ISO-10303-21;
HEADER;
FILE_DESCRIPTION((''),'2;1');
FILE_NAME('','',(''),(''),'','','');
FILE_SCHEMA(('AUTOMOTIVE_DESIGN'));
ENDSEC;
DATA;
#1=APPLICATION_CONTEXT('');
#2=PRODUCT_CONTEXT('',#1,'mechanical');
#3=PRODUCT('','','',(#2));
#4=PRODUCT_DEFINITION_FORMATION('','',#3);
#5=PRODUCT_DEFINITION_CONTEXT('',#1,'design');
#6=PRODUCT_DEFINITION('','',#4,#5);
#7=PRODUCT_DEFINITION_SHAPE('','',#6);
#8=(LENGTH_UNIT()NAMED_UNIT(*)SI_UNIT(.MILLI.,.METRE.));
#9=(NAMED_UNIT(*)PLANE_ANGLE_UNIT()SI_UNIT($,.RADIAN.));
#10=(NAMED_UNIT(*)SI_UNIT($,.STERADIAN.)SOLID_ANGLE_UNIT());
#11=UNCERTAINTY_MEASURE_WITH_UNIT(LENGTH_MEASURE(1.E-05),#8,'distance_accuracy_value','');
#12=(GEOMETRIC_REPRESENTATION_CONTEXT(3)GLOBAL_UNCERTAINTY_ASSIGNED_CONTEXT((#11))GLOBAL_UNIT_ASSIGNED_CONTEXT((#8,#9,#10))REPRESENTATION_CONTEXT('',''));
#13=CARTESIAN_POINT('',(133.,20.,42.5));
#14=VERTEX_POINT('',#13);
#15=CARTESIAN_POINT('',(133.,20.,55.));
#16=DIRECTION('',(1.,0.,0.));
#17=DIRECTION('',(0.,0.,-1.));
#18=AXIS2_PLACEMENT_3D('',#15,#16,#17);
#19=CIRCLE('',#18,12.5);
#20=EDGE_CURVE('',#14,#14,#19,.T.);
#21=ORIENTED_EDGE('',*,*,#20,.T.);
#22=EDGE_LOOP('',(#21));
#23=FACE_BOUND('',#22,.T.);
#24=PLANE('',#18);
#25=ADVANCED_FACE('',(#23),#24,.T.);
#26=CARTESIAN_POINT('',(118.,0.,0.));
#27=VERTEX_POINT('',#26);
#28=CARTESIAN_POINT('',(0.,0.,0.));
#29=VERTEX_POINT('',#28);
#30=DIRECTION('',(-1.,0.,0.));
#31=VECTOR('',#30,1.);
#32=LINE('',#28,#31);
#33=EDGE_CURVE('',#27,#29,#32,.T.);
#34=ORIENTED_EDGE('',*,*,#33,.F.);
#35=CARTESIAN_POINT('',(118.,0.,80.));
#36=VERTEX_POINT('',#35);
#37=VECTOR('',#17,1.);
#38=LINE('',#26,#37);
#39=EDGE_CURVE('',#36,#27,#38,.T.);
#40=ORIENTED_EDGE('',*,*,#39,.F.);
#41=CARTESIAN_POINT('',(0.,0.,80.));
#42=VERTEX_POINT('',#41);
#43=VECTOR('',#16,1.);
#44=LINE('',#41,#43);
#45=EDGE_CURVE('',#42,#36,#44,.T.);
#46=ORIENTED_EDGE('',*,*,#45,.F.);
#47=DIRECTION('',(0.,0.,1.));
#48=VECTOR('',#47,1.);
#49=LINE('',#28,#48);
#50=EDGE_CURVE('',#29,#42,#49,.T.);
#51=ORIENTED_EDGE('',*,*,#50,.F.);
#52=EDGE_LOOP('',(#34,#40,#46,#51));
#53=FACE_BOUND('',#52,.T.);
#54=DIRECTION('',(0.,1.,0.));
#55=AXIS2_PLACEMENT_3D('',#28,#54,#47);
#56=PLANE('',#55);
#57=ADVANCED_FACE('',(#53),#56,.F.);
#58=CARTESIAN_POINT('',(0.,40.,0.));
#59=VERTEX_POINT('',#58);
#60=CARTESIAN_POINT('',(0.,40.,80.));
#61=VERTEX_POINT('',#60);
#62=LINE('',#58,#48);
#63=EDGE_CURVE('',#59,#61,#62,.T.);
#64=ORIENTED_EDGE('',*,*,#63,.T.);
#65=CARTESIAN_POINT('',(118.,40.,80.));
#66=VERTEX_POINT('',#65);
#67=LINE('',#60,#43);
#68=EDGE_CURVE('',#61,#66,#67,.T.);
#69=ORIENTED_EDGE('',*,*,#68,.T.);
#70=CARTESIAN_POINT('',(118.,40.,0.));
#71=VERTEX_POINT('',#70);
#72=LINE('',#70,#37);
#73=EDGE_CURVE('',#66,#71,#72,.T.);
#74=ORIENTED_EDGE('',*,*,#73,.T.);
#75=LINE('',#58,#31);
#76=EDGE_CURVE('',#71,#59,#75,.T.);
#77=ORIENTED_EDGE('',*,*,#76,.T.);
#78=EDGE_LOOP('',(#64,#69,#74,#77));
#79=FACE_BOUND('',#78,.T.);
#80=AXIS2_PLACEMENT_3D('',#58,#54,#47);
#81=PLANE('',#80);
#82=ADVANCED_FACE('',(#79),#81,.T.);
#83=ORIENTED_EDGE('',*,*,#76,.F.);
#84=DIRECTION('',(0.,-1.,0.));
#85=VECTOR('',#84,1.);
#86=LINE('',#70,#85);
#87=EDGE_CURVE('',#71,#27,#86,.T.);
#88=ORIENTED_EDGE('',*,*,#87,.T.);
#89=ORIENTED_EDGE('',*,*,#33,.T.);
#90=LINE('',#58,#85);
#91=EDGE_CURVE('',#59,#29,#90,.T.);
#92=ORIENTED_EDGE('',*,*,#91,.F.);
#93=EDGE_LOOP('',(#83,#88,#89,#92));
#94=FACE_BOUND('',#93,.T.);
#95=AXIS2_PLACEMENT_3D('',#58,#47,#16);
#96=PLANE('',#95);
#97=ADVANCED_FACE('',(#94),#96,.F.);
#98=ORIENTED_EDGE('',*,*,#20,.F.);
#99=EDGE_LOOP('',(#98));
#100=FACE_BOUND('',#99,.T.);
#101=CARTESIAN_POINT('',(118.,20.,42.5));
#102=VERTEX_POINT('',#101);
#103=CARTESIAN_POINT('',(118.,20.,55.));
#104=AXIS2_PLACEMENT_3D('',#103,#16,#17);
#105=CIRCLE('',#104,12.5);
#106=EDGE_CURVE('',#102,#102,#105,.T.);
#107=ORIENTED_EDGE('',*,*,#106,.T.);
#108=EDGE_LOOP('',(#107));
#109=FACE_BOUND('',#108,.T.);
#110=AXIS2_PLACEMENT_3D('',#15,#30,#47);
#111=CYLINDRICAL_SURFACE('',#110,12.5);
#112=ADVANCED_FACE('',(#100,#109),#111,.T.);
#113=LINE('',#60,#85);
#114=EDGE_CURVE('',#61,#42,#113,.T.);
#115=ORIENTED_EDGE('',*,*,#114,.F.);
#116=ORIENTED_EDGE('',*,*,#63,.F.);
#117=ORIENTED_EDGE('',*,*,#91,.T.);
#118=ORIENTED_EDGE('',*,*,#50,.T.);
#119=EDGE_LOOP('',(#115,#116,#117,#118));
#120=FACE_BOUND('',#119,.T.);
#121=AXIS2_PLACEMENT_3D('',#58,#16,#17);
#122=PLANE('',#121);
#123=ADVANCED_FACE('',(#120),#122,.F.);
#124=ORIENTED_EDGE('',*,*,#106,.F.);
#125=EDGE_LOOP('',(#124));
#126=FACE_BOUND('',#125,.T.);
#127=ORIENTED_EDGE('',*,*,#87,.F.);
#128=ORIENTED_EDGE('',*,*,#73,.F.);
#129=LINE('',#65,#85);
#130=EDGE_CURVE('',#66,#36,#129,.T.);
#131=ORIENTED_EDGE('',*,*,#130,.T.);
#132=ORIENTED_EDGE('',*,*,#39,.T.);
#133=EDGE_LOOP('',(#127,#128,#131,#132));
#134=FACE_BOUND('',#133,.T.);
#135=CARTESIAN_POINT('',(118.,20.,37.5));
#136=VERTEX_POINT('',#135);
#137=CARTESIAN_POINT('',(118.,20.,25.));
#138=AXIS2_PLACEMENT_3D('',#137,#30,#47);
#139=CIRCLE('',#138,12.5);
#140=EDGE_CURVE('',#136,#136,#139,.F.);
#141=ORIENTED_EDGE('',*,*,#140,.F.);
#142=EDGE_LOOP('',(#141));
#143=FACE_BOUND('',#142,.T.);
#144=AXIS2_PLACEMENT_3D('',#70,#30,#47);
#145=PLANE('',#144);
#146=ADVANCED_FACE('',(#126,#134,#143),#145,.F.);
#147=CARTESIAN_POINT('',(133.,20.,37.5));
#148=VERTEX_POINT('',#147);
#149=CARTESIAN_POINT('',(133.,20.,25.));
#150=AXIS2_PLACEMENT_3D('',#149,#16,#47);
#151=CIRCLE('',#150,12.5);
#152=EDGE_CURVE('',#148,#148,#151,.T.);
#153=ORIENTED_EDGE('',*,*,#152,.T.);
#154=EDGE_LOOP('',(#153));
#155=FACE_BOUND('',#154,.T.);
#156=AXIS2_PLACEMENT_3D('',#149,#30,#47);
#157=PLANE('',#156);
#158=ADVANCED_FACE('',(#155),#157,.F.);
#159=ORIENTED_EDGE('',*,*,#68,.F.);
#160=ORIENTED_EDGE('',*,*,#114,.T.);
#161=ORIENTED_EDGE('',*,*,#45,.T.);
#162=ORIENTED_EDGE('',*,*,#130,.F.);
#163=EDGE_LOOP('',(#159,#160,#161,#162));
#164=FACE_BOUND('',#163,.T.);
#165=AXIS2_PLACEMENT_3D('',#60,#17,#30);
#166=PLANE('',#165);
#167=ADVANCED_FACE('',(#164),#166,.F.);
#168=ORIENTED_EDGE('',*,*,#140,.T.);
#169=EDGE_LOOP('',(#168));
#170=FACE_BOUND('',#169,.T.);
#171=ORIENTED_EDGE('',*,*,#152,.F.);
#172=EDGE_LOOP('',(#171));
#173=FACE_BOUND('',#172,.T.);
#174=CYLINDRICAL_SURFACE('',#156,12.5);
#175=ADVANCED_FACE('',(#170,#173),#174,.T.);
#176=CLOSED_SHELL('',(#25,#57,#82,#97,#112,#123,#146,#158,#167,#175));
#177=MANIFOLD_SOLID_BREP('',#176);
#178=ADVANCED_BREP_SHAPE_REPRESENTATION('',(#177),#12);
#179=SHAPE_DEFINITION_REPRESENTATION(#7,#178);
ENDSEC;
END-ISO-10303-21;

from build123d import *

# Parameters (mm, degrees)
SKETCH2_W           = 118
SKETCH2_H           = 80
BOSS_EXTRUDE1_DEPTH = 40
SKETCH3_R           = 12.5
BOSS_EXTRUDE2_DEPTH = 15


with BuildPart() as part:
    # Sketch2 → Boss-Extrude1 (new body)
    with BuildSketch(Plane(origin=(0, 0, 0), x_dir=(1, 0, 0), z_dir=(0, 1, 0))):
        with Locations((59, -40)):
            Rectangle(SKETCH2_W, SKETCH2_H)
    extrude(amount=BOSS_EXTRUDE1_DEPTH)

    # Sketch3 → Boss-Extrude2 (add)
    with BuildSketch(Plane(origin=(118, 0, 0), x_dir=(0, 0, -1), z_dir=(1, 0, 0))):
        with Locations((-55, 20)):
            Circle(SKETCH3_R)
        with Locations(Location((-25, 20, 0), (0, 0, 180))):
            Circle(SKETCH3_R)
    extrude(amount=BOSS_EXTRUDE2_DEPTH)


solid = part.part
